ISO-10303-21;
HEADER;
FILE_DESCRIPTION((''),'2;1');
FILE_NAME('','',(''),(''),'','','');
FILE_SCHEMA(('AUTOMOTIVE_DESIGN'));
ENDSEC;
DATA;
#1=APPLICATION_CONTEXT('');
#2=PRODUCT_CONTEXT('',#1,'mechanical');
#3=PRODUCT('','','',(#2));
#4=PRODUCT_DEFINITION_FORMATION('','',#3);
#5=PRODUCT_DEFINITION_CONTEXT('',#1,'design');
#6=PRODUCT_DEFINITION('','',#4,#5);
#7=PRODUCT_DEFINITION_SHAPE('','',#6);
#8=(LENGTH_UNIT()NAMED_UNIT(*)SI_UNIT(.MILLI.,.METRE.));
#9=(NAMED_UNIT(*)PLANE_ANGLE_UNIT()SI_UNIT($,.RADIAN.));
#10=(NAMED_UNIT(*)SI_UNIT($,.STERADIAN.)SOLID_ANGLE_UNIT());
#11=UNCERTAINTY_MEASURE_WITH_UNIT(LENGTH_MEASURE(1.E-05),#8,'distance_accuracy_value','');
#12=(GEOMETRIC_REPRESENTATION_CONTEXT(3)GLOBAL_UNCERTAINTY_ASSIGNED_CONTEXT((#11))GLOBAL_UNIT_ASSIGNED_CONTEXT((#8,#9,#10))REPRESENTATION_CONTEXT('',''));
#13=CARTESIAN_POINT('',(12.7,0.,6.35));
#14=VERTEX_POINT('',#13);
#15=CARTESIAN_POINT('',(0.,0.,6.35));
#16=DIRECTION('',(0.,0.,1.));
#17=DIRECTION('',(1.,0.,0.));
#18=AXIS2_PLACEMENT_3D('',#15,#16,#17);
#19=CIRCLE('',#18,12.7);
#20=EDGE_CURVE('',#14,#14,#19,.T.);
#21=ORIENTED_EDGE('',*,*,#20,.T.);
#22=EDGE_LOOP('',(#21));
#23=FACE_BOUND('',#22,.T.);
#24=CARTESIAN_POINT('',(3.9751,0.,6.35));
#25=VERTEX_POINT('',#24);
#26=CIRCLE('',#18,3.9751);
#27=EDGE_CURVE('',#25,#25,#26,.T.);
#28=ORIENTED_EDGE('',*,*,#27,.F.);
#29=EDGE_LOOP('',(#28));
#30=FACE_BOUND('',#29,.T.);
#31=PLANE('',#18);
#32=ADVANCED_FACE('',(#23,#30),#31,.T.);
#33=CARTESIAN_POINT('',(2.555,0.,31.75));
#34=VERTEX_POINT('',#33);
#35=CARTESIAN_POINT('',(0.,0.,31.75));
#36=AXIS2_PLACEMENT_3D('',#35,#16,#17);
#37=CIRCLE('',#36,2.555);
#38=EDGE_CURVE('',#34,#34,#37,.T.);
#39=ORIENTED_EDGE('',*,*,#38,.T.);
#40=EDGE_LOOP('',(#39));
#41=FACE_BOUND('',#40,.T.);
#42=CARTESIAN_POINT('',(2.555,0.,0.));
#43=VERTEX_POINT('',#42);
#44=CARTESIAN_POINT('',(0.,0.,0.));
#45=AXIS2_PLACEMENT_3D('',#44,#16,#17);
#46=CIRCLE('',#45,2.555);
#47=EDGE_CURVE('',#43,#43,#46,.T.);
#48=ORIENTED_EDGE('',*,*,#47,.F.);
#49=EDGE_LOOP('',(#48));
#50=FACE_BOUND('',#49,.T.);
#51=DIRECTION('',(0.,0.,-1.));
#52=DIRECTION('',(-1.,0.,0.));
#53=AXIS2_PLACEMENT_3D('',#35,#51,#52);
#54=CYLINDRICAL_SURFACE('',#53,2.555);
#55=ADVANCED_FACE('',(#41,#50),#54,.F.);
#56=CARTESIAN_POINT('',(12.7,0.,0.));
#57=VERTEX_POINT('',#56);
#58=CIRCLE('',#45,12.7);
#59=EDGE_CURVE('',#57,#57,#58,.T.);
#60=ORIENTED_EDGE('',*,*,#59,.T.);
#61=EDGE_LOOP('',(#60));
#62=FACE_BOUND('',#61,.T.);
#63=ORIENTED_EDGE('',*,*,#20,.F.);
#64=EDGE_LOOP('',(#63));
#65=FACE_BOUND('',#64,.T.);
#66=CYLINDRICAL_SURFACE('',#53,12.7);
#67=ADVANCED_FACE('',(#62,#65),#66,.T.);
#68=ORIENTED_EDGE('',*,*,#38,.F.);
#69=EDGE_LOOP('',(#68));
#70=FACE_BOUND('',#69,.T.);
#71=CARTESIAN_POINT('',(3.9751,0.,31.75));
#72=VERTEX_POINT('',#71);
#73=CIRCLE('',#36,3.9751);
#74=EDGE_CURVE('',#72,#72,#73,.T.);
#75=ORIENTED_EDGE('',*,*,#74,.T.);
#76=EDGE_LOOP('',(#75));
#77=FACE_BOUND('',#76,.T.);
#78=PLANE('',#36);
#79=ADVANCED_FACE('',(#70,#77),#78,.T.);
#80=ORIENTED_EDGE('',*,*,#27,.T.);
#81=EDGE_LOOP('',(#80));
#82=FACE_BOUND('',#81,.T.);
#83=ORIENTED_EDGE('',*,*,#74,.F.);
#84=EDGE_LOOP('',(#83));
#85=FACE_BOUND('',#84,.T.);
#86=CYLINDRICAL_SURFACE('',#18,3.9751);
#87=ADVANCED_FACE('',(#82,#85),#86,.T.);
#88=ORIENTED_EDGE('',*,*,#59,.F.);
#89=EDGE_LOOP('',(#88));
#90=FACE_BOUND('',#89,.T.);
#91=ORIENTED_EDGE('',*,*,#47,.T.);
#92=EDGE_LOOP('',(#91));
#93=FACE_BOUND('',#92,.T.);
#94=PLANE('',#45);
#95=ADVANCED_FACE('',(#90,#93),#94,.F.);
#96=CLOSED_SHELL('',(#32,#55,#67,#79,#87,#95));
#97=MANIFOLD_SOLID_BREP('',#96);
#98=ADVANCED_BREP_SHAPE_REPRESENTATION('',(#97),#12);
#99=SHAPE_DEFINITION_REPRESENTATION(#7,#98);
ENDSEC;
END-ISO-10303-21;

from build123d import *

# Parameters (mm, degrees)
SKETCH1_R           = 12.7
SKETCH1_R_2         = 2.555
BOSS_EXTRUDE1_DEPTH = 31.75
SKETCH2_R           = 12.7
SKETCH2_R_2         = 3.9751
CUT_EXTRUDE1_DEPTH  = 25.4


with BuildPart() as part:
    # Sketch1 → Boss-Extrude1 (new body)
    with BuildSketch(Plane.XY):
        Circle(SKETCH1_R)
        Circle(SKETCH1_R_2, mode=Mode.SUBTRACT)
    extrude(amount=BOSS_EXTRUDE1_DEPTH)

    # Sketch2 → Cut-Extrude1 (cut)
    with BuildSketch(Plane.XY.offset(31.75)):
        Circle(SKETCH2_R)
        Circle(SKETCH2_R_2, mode=Mode.SUBTRACT)
    extrude(amount=-CUT_EXTRUDE1_DEPTH, mode=Mode.SUBTRACT)


solid = part.part
